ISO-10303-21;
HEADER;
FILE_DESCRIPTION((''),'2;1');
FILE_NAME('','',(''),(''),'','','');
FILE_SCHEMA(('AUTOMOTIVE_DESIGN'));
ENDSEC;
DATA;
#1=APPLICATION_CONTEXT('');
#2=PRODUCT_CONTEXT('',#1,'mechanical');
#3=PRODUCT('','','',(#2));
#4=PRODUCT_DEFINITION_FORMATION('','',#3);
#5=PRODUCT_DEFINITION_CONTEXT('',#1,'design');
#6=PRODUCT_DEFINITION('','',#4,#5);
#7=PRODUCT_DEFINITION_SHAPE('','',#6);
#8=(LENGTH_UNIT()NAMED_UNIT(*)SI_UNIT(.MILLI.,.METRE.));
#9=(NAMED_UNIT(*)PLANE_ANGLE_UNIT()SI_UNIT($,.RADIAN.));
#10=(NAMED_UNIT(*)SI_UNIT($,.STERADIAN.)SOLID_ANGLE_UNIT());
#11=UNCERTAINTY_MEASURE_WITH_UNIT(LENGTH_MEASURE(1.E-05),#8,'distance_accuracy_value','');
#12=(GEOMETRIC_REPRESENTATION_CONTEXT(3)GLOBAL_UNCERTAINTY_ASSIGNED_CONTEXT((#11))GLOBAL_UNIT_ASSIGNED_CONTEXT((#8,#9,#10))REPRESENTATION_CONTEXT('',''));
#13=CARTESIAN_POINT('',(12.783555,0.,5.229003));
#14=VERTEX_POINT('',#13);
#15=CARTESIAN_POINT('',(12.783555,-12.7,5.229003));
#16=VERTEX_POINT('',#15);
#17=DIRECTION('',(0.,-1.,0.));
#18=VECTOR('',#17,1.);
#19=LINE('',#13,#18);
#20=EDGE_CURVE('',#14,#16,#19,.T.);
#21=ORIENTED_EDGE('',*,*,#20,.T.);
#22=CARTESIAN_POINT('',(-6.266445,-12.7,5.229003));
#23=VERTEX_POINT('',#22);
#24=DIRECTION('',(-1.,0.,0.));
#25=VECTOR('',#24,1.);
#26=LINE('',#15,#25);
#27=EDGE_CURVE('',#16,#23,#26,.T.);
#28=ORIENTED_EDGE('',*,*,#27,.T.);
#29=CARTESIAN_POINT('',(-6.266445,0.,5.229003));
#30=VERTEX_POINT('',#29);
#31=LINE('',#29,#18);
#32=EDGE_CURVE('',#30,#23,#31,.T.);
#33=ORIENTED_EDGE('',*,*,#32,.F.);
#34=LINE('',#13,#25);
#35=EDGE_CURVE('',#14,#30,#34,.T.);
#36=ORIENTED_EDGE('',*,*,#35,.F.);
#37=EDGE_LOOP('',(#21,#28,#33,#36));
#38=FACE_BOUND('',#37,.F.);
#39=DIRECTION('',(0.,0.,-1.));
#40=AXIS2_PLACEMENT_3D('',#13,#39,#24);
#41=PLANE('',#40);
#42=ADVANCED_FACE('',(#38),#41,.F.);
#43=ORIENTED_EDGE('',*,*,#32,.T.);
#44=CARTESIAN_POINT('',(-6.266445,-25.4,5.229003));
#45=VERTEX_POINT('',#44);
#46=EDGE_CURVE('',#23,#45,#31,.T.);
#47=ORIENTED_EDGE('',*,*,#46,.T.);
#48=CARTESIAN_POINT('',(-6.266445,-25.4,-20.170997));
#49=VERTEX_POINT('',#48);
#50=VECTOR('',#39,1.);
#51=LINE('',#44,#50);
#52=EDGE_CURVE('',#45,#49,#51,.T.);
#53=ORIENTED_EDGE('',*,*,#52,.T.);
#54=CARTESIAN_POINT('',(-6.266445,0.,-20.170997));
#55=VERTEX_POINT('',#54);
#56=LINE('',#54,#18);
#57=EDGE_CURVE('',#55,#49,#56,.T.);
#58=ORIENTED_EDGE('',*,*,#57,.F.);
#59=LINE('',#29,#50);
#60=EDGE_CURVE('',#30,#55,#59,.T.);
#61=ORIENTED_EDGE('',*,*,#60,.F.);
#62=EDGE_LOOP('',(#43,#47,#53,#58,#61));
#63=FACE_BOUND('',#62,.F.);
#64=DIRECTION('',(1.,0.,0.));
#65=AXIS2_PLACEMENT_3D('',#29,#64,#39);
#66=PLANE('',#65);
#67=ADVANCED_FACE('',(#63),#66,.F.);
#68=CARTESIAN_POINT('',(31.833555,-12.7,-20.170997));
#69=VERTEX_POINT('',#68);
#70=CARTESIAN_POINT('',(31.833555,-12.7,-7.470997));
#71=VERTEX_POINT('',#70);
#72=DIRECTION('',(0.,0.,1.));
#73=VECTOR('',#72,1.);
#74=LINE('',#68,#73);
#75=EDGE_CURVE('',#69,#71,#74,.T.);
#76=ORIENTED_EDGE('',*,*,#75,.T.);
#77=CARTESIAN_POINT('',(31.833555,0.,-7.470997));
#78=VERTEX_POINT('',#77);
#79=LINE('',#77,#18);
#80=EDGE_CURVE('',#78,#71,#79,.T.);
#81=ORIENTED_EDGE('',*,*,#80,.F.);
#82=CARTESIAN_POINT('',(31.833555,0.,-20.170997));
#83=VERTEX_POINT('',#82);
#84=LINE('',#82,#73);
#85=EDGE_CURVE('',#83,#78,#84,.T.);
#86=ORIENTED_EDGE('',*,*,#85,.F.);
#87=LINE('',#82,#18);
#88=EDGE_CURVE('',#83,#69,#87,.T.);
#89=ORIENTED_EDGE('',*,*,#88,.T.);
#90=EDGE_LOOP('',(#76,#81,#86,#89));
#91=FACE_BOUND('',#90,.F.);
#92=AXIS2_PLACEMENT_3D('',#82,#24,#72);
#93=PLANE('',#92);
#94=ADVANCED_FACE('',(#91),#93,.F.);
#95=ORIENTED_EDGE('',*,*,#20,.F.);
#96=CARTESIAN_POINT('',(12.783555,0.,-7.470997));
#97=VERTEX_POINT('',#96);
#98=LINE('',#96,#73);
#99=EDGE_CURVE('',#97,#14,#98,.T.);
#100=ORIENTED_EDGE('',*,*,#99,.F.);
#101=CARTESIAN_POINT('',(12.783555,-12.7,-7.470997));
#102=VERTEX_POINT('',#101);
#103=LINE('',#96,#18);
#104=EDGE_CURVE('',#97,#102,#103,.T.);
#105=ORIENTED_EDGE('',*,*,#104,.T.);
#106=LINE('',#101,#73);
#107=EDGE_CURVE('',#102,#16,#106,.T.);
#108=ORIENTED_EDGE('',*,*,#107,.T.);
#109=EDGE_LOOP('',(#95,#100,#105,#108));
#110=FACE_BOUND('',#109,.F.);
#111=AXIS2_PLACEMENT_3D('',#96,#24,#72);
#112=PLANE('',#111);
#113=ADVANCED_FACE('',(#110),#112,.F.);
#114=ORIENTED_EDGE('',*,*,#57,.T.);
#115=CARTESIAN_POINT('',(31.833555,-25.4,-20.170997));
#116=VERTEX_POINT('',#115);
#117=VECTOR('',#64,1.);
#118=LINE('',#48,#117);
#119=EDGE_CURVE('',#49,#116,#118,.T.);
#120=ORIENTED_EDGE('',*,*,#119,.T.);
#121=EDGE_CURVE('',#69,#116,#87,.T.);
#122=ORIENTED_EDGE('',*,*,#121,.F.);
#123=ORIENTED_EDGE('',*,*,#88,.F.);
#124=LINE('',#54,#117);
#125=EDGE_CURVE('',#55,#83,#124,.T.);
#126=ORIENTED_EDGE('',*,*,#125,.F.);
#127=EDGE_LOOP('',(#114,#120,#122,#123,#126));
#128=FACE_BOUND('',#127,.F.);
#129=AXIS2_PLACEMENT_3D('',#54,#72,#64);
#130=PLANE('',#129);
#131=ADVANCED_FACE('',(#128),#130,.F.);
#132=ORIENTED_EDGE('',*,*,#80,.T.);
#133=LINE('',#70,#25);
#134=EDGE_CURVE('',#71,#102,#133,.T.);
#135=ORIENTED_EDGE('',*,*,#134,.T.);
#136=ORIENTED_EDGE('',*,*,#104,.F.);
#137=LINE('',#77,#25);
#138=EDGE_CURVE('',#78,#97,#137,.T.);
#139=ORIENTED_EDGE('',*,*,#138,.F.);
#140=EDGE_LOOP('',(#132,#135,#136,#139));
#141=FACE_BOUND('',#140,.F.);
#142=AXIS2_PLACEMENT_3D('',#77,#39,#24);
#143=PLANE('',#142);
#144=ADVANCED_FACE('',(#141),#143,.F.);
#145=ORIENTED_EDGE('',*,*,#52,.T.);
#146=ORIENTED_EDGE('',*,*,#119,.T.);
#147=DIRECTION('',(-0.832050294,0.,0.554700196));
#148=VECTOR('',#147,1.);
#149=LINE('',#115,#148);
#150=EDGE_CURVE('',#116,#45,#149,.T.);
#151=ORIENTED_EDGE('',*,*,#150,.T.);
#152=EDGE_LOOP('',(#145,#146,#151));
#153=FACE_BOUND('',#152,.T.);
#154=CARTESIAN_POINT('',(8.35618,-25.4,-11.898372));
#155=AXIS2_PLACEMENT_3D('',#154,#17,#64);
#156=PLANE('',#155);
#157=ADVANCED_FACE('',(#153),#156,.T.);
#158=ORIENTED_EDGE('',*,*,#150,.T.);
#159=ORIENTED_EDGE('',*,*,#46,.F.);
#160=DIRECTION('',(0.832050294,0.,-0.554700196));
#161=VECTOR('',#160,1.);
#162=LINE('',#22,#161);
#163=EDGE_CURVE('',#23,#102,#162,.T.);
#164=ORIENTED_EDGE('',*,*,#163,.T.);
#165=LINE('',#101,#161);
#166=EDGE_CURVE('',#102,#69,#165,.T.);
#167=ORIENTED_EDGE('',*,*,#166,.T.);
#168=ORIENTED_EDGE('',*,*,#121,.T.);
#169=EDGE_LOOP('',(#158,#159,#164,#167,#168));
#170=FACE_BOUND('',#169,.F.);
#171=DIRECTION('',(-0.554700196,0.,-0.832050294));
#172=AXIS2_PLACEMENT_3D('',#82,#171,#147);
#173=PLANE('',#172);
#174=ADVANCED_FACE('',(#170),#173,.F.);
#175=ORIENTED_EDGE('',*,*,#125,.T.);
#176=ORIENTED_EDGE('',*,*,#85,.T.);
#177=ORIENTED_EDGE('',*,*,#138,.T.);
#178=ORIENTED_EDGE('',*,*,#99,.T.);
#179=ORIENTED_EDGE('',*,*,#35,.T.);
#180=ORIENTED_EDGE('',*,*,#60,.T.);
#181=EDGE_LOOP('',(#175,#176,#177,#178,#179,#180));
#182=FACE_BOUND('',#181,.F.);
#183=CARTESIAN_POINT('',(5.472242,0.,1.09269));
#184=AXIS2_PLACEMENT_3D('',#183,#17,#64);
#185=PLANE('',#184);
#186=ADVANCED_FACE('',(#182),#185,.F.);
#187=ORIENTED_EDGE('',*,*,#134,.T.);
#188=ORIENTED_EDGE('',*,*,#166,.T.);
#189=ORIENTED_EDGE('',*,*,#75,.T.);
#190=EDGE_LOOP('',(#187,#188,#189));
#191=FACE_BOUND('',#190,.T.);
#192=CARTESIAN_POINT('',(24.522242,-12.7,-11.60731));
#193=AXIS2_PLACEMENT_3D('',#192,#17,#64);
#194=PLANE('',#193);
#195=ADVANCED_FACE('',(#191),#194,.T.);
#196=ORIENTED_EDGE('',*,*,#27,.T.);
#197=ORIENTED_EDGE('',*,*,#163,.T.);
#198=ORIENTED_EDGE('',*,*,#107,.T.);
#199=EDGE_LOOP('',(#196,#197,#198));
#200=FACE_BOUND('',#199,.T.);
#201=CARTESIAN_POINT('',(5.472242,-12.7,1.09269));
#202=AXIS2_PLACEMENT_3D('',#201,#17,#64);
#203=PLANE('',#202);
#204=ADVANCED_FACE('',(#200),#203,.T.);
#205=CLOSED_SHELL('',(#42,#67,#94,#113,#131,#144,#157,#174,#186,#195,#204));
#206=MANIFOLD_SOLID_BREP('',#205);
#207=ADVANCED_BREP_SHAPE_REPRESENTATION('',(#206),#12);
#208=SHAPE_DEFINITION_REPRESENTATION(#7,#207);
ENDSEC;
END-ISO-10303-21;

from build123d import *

# Parameters (mm, degrees)
F1_DEPTH = 25.4
F2_DEPTH = 12.7


with BuildPart() as f1:
    # F0 (on Front) → F1 (new body)
    with BuildSketch(Plane.XZ):
        Polygon((12.783555, -7.470997), (-6.266445, 5.229003), (-6.266445, -20.170997), (31.833555, -20.170997), align=None)
    extrude(amount=F1_DEPTH)

    # F0 (on Front) → F2 (join)
    with BuildSketch(Plane.XZ):
        Polygon((12.783555, 5.229003), (-6.266445, 5.229003), (12.783555, -7.470997), align=None)
        Polygon((31.833555, -7.470997), (12.783555, -7.470997), (31.833555, -20.170997), align=None)
    extrude(amount=F2_DEPTH)


solid = f1.part
